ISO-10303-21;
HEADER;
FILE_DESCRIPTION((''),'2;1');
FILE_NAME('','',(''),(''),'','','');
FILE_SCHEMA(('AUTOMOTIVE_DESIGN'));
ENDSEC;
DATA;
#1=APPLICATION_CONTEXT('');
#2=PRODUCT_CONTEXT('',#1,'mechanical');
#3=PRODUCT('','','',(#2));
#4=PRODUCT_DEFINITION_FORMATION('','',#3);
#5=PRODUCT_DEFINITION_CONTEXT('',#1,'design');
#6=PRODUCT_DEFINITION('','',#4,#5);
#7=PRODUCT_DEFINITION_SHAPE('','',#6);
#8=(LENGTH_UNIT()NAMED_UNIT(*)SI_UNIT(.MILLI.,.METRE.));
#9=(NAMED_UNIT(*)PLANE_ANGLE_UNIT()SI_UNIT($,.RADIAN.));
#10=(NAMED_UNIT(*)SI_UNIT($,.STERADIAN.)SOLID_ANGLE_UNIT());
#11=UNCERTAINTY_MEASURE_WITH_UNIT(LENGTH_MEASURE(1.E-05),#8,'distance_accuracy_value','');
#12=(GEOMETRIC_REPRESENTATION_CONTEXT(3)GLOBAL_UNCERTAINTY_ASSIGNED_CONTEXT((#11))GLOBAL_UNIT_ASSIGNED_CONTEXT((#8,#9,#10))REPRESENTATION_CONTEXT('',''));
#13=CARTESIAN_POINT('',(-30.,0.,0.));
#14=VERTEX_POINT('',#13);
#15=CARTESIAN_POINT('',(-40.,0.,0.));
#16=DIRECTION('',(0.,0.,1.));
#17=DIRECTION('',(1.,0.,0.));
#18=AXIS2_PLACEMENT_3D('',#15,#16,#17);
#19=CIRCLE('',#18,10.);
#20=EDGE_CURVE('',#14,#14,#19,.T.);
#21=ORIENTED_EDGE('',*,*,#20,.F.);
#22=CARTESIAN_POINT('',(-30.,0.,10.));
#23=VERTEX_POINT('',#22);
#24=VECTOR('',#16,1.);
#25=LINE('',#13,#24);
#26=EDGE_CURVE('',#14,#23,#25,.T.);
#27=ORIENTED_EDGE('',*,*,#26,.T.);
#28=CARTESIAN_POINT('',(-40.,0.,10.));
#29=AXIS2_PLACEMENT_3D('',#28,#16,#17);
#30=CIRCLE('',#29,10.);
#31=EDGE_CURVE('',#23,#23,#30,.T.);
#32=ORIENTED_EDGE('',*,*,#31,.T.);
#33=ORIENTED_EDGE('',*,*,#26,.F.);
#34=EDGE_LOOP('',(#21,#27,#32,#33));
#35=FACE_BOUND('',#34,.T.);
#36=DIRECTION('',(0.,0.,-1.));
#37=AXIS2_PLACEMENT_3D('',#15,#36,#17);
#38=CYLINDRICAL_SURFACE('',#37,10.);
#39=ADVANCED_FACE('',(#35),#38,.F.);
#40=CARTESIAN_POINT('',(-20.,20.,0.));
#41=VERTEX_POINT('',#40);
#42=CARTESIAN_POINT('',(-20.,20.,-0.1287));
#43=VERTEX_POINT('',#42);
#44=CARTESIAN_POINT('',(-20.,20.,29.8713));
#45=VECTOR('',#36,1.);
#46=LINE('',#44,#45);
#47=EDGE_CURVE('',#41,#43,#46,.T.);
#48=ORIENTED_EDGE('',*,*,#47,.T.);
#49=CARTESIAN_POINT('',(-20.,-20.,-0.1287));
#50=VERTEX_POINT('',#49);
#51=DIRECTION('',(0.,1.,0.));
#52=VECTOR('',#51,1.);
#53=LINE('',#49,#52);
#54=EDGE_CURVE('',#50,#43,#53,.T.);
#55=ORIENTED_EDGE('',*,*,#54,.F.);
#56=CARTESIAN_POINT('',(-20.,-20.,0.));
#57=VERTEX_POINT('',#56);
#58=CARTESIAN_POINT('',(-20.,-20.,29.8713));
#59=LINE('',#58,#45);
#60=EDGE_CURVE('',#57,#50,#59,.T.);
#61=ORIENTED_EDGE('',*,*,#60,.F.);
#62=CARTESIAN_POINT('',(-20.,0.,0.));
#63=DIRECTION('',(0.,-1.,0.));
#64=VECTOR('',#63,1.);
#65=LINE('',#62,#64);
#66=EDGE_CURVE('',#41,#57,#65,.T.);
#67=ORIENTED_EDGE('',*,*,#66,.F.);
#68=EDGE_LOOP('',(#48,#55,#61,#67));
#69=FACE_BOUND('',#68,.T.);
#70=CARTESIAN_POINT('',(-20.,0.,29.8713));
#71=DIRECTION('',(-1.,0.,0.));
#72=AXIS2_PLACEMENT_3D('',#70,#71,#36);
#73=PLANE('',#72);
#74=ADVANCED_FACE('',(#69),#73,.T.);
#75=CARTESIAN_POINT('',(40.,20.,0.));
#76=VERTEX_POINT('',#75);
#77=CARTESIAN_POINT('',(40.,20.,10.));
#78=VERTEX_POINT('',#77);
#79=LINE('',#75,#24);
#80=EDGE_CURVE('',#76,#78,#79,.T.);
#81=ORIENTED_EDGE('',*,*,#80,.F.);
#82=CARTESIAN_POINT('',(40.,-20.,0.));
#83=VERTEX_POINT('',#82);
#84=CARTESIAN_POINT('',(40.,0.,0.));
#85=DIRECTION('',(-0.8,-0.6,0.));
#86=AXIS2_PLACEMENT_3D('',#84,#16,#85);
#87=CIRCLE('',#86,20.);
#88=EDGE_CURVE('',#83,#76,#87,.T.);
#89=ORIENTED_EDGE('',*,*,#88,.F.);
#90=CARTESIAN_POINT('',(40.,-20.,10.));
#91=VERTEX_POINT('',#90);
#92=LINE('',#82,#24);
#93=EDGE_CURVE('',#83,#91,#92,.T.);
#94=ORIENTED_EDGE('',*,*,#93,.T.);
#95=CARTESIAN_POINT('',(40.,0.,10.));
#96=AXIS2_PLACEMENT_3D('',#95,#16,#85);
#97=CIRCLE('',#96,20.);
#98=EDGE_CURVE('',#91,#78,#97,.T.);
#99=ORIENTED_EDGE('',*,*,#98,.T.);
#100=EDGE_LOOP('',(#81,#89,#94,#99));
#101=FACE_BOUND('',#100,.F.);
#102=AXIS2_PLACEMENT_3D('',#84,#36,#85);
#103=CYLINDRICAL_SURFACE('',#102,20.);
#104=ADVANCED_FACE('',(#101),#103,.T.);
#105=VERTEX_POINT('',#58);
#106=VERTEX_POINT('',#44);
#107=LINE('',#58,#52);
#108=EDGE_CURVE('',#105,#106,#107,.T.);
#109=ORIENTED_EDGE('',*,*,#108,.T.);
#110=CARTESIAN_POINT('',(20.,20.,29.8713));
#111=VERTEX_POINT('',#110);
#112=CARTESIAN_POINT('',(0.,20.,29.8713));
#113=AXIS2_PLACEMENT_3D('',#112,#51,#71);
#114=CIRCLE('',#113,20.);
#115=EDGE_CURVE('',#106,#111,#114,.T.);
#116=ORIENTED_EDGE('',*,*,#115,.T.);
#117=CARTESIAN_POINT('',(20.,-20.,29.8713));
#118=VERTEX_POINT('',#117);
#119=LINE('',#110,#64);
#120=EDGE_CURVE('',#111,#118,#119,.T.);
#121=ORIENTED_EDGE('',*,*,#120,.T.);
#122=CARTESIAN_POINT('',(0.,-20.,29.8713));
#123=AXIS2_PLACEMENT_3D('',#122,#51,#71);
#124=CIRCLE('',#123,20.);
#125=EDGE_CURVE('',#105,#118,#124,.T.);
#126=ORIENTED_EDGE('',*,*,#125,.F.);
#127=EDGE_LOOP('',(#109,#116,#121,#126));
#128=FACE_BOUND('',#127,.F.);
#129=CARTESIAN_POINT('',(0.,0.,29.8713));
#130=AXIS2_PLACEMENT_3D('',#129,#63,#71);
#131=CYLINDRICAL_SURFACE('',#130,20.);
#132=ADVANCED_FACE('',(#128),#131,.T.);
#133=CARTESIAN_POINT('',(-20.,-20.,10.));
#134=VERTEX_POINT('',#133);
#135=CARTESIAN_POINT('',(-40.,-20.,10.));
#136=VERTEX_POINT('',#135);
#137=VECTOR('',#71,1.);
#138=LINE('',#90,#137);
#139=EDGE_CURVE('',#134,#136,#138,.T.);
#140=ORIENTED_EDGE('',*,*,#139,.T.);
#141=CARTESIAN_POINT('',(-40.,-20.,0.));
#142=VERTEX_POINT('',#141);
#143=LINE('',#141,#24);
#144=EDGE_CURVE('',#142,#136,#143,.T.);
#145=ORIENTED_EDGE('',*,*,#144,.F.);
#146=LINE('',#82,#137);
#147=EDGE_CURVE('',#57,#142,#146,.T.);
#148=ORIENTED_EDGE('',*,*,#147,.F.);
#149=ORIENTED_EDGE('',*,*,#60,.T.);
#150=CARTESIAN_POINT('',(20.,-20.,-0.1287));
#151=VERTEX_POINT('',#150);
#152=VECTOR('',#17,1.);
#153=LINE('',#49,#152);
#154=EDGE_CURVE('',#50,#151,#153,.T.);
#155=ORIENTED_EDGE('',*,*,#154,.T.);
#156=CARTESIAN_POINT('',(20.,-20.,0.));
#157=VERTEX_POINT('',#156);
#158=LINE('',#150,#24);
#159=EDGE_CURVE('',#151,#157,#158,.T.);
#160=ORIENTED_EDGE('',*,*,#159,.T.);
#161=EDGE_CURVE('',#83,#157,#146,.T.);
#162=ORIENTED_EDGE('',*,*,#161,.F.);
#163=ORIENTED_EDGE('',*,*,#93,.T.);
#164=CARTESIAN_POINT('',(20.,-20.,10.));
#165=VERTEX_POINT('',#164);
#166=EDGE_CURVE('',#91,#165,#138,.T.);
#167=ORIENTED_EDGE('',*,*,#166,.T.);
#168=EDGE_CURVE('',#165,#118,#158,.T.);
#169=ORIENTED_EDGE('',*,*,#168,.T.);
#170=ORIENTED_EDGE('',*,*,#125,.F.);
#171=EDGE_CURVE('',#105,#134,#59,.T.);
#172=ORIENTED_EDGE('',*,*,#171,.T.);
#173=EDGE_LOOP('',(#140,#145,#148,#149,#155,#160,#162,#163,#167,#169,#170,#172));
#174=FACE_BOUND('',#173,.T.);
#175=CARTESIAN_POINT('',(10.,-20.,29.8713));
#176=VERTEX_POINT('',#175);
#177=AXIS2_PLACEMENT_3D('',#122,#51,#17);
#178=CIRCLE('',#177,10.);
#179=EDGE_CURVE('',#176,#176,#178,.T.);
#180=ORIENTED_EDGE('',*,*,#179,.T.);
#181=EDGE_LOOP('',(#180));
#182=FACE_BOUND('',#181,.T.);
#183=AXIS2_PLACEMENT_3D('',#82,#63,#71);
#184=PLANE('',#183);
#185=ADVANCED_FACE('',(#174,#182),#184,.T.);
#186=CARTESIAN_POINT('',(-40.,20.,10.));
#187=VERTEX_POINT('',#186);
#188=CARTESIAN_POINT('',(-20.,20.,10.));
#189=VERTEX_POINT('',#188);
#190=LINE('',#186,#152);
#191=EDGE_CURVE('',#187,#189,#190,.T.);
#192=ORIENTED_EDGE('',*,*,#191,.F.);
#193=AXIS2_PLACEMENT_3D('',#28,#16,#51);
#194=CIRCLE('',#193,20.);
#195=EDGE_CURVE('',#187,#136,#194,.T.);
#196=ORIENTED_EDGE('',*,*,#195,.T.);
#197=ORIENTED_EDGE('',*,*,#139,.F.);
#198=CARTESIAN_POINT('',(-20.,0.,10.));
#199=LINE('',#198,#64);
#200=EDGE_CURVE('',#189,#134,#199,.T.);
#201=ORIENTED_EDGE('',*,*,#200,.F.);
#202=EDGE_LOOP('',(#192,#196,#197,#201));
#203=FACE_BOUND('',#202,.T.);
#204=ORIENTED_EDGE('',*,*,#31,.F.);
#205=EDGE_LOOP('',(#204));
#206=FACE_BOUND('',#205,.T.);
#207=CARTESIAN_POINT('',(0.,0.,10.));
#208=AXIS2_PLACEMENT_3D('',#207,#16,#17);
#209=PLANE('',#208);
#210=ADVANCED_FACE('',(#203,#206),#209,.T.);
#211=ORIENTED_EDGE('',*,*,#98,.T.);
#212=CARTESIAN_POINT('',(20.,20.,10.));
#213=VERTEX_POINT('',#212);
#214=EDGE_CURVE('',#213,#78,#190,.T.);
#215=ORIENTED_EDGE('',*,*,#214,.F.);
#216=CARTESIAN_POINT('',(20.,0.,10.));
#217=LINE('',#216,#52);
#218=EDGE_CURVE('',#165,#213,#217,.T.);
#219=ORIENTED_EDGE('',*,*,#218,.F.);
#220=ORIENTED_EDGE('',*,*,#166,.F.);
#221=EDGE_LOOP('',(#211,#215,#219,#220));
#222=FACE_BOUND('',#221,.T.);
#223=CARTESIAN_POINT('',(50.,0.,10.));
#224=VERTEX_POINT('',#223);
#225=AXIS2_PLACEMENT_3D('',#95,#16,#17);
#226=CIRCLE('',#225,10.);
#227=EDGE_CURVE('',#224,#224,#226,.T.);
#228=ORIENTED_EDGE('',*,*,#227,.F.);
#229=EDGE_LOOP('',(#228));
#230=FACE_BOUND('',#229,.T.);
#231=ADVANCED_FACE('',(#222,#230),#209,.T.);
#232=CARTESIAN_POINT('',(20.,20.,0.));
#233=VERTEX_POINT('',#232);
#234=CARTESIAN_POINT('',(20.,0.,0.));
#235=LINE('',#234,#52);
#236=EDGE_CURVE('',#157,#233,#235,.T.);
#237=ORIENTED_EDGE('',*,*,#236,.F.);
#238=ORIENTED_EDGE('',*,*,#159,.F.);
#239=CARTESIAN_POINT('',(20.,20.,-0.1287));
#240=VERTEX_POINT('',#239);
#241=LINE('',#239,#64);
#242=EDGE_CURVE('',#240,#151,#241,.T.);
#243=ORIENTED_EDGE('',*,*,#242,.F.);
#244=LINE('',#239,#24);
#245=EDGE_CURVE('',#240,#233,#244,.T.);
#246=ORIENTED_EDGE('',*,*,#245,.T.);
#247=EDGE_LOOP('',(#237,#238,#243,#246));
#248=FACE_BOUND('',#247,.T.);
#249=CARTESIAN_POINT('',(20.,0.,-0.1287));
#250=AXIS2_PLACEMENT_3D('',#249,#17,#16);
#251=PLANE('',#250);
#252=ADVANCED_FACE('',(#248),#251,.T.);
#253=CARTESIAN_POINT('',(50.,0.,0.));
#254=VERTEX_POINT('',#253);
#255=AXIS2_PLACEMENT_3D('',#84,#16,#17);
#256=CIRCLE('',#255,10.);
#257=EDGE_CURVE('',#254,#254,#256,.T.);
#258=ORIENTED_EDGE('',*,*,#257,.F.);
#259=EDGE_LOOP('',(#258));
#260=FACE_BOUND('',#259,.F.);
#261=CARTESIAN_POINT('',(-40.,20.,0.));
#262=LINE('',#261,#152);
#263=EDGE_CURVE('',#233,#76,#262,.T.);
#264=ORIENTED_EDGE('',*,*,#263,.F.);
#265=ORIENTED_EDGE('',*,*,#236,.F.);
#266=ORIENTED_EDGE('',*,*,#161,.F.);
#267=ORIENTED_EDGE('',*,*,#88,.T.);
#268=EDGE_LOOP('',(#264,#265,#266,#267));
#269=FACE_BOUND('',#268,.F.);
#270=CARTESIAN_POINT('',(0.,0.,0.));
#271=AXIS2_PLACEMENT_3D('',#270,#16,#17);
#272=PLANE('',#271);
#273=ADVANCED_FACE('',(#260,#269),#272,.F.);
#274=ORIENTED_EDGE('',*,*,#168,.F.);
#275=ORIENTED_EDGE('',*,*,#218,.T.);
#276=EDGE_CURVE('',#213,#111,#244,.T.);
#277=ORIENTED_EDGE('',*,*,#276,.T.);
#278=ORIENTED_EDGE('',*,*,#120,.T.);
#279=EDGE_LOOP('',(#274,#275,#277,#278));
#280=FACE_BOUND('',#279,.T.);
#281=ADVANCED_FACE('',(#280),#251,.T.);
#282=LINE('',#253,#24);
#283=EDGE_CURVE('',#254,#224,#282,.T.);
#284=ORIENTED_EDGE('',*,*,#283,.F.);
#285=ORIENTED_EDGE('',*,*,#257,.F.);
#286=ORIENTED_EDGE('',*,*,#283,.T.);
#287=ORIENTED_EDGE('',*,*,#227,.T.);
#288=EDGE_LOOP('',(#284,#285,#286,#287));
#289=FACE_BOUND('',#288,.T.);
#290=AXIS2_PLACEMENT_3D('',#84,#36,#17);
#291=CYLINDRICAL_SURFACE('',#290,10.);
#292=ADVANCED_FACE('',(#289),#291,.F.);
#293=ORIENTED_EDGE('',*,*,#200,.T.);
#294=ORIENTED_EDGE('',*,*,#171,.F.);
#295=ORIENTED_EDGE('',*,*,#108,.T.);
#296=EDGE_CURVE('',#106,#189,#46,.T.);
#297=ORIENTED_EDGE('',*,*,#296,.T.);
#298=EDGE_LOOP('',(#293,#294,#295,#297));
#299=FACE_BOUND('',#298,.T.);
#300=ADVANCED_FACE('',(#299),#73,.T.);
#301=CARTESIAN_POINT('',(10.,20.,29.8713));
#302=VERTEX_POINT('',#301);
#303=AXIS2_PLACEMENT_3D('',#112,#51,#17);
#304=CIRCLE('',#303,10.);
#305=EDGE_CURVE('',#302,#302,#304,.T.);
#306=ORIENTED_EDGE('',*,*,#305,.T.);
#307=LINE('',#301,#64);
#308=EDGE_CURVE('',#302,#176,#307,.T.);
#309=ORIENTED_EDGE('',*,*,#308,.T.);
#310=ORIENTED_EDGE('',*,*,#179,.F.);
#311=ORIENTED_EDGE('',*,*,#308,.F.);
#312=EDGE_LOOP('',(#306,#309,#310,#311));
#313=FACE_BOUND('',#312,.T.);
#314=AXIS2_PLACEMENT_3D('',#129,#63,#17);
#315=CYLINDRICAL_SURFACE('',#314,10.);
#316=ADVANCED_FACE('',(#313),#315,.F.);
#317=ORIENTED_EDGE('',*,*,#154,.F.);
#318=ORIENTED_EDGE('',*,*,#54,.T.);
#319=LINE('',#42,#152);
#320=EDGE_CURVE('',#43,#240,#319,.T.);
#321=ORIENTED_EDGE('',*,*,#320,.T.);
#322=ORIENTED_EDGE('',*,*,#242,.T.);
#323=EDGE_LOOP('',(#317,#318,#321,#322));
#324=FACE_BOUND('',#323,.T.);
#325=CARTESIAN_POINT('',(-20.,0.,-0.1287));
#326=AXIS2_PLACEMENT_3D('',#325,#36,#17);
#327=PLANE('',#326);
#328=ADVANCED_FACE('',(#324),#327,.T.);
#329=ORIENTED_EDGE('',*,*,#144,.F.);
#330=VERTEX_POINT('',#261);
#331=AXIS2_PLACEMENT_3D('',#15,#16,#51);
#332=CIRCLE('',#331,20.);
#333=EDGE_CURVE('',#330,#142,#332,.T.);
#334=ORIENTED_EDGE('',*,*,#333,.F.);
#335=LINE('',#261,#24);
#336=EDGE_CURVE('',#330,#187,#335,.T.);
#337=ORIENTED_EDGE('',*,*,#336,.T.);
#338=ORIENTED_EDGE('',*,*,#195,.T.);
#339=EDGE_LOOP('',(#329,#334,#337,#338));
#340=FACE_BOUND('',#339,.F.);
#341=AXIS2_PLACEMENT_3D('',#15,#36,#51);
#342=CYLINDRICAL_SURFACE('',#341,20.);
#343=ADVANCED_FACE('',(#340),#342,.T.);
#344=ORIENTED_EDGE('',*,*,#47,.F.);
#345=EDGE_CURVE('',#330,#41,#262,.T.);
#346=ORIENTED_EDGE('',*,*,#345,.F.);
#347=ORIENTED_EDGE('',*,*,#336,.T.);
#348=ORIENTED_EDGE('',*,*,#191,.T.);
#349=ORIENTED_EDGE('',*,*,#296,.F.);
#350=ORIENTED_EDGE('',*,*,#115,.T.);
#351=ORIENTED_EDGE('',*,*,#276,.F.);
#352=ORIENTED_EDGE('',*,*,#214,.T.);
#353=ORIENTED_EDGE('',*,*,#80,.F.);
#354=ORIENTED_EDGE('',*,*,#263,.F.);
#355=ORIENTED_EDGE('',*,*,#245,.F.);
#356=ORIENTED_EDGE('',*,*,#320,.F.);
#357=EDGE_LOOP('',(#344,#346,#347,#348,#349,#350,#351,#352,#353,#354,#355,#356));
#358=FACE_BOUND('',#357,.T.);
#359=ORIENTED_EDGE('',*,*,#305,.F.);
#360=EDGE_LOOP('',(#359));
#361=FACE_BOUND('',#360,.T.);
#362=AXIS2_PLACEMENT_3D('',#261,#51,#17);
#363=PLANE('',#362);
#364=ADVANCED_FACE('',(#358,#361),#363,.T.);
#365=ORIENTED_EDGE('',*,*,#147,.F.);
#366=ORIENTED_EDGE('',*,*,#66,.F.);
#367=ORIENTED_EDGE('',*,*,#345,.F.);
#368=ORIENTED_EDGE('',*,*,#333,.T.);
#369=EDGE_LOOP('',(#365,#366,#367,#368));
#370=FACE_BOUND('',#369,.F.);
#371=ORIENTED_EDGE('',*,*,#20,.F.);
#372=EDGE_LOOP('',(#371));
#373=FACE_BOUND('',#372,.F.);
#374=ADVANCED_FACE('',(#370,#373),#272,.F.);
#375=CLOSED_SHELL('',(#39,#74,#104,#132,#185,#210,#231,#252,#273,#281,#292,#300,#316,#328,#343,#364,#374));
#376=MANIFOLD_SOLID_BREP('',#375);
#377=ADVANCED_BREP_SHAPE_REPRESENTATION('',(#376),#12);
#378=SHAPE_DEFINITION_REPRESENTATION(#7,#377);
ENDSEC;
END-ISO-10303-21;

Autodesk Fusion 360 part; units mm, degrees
sketch "Sketch1" plane through (0, 0, 0) normal (0, 0, 1) x (1, 0, 0)
  line L0 (40, -20) -> (-40, -20)
  line L1 (-40, 20) -> (40, 20)
  circle A0 centre (40, 0) radius 10
  circle A1 centre (-40, 0) radius 10
  arc A2 (24, -12) -> (40, 20) centre (40, 0) ccw
  arc A3 (-40, 20) -> (-40, -20) centre (-40, 0) ccw
  dimension "d1" = 80
  dimension "d2" = 40
  dimension "d5" = 40
  dimension "d6" = 40
extrude "Extrude1" add sketch "Sketch1" along normal blind 10
sketch "Sketch2" plane through (0, 0, 0) normal (0, 1, 0) x (1, 0, 0)
  line L0 (-20, 0.1287) -> (20, 0.1287)
  line L1 (20, 0.1287) -> (20, -29.8713)
  line L2 (-20, -29.8713) -> (-20, 0.1287)
  line L3 (-40, 0) -> (-40, -10)
  circle A0 centre (0, -29.8713) radius 10
  arc A1 (-20, -29.8713) -> (20, -29.8713) centre (0, -29.8713) ccw
  dimension "d12" = 40
  dimension "d13" = 30
  dimension "d14" = 20
  dimension "d15" = 20
  dimension "d16" = 20
extrude "Extrude2" add sketch "Sketch2" along normal mid plane 40
